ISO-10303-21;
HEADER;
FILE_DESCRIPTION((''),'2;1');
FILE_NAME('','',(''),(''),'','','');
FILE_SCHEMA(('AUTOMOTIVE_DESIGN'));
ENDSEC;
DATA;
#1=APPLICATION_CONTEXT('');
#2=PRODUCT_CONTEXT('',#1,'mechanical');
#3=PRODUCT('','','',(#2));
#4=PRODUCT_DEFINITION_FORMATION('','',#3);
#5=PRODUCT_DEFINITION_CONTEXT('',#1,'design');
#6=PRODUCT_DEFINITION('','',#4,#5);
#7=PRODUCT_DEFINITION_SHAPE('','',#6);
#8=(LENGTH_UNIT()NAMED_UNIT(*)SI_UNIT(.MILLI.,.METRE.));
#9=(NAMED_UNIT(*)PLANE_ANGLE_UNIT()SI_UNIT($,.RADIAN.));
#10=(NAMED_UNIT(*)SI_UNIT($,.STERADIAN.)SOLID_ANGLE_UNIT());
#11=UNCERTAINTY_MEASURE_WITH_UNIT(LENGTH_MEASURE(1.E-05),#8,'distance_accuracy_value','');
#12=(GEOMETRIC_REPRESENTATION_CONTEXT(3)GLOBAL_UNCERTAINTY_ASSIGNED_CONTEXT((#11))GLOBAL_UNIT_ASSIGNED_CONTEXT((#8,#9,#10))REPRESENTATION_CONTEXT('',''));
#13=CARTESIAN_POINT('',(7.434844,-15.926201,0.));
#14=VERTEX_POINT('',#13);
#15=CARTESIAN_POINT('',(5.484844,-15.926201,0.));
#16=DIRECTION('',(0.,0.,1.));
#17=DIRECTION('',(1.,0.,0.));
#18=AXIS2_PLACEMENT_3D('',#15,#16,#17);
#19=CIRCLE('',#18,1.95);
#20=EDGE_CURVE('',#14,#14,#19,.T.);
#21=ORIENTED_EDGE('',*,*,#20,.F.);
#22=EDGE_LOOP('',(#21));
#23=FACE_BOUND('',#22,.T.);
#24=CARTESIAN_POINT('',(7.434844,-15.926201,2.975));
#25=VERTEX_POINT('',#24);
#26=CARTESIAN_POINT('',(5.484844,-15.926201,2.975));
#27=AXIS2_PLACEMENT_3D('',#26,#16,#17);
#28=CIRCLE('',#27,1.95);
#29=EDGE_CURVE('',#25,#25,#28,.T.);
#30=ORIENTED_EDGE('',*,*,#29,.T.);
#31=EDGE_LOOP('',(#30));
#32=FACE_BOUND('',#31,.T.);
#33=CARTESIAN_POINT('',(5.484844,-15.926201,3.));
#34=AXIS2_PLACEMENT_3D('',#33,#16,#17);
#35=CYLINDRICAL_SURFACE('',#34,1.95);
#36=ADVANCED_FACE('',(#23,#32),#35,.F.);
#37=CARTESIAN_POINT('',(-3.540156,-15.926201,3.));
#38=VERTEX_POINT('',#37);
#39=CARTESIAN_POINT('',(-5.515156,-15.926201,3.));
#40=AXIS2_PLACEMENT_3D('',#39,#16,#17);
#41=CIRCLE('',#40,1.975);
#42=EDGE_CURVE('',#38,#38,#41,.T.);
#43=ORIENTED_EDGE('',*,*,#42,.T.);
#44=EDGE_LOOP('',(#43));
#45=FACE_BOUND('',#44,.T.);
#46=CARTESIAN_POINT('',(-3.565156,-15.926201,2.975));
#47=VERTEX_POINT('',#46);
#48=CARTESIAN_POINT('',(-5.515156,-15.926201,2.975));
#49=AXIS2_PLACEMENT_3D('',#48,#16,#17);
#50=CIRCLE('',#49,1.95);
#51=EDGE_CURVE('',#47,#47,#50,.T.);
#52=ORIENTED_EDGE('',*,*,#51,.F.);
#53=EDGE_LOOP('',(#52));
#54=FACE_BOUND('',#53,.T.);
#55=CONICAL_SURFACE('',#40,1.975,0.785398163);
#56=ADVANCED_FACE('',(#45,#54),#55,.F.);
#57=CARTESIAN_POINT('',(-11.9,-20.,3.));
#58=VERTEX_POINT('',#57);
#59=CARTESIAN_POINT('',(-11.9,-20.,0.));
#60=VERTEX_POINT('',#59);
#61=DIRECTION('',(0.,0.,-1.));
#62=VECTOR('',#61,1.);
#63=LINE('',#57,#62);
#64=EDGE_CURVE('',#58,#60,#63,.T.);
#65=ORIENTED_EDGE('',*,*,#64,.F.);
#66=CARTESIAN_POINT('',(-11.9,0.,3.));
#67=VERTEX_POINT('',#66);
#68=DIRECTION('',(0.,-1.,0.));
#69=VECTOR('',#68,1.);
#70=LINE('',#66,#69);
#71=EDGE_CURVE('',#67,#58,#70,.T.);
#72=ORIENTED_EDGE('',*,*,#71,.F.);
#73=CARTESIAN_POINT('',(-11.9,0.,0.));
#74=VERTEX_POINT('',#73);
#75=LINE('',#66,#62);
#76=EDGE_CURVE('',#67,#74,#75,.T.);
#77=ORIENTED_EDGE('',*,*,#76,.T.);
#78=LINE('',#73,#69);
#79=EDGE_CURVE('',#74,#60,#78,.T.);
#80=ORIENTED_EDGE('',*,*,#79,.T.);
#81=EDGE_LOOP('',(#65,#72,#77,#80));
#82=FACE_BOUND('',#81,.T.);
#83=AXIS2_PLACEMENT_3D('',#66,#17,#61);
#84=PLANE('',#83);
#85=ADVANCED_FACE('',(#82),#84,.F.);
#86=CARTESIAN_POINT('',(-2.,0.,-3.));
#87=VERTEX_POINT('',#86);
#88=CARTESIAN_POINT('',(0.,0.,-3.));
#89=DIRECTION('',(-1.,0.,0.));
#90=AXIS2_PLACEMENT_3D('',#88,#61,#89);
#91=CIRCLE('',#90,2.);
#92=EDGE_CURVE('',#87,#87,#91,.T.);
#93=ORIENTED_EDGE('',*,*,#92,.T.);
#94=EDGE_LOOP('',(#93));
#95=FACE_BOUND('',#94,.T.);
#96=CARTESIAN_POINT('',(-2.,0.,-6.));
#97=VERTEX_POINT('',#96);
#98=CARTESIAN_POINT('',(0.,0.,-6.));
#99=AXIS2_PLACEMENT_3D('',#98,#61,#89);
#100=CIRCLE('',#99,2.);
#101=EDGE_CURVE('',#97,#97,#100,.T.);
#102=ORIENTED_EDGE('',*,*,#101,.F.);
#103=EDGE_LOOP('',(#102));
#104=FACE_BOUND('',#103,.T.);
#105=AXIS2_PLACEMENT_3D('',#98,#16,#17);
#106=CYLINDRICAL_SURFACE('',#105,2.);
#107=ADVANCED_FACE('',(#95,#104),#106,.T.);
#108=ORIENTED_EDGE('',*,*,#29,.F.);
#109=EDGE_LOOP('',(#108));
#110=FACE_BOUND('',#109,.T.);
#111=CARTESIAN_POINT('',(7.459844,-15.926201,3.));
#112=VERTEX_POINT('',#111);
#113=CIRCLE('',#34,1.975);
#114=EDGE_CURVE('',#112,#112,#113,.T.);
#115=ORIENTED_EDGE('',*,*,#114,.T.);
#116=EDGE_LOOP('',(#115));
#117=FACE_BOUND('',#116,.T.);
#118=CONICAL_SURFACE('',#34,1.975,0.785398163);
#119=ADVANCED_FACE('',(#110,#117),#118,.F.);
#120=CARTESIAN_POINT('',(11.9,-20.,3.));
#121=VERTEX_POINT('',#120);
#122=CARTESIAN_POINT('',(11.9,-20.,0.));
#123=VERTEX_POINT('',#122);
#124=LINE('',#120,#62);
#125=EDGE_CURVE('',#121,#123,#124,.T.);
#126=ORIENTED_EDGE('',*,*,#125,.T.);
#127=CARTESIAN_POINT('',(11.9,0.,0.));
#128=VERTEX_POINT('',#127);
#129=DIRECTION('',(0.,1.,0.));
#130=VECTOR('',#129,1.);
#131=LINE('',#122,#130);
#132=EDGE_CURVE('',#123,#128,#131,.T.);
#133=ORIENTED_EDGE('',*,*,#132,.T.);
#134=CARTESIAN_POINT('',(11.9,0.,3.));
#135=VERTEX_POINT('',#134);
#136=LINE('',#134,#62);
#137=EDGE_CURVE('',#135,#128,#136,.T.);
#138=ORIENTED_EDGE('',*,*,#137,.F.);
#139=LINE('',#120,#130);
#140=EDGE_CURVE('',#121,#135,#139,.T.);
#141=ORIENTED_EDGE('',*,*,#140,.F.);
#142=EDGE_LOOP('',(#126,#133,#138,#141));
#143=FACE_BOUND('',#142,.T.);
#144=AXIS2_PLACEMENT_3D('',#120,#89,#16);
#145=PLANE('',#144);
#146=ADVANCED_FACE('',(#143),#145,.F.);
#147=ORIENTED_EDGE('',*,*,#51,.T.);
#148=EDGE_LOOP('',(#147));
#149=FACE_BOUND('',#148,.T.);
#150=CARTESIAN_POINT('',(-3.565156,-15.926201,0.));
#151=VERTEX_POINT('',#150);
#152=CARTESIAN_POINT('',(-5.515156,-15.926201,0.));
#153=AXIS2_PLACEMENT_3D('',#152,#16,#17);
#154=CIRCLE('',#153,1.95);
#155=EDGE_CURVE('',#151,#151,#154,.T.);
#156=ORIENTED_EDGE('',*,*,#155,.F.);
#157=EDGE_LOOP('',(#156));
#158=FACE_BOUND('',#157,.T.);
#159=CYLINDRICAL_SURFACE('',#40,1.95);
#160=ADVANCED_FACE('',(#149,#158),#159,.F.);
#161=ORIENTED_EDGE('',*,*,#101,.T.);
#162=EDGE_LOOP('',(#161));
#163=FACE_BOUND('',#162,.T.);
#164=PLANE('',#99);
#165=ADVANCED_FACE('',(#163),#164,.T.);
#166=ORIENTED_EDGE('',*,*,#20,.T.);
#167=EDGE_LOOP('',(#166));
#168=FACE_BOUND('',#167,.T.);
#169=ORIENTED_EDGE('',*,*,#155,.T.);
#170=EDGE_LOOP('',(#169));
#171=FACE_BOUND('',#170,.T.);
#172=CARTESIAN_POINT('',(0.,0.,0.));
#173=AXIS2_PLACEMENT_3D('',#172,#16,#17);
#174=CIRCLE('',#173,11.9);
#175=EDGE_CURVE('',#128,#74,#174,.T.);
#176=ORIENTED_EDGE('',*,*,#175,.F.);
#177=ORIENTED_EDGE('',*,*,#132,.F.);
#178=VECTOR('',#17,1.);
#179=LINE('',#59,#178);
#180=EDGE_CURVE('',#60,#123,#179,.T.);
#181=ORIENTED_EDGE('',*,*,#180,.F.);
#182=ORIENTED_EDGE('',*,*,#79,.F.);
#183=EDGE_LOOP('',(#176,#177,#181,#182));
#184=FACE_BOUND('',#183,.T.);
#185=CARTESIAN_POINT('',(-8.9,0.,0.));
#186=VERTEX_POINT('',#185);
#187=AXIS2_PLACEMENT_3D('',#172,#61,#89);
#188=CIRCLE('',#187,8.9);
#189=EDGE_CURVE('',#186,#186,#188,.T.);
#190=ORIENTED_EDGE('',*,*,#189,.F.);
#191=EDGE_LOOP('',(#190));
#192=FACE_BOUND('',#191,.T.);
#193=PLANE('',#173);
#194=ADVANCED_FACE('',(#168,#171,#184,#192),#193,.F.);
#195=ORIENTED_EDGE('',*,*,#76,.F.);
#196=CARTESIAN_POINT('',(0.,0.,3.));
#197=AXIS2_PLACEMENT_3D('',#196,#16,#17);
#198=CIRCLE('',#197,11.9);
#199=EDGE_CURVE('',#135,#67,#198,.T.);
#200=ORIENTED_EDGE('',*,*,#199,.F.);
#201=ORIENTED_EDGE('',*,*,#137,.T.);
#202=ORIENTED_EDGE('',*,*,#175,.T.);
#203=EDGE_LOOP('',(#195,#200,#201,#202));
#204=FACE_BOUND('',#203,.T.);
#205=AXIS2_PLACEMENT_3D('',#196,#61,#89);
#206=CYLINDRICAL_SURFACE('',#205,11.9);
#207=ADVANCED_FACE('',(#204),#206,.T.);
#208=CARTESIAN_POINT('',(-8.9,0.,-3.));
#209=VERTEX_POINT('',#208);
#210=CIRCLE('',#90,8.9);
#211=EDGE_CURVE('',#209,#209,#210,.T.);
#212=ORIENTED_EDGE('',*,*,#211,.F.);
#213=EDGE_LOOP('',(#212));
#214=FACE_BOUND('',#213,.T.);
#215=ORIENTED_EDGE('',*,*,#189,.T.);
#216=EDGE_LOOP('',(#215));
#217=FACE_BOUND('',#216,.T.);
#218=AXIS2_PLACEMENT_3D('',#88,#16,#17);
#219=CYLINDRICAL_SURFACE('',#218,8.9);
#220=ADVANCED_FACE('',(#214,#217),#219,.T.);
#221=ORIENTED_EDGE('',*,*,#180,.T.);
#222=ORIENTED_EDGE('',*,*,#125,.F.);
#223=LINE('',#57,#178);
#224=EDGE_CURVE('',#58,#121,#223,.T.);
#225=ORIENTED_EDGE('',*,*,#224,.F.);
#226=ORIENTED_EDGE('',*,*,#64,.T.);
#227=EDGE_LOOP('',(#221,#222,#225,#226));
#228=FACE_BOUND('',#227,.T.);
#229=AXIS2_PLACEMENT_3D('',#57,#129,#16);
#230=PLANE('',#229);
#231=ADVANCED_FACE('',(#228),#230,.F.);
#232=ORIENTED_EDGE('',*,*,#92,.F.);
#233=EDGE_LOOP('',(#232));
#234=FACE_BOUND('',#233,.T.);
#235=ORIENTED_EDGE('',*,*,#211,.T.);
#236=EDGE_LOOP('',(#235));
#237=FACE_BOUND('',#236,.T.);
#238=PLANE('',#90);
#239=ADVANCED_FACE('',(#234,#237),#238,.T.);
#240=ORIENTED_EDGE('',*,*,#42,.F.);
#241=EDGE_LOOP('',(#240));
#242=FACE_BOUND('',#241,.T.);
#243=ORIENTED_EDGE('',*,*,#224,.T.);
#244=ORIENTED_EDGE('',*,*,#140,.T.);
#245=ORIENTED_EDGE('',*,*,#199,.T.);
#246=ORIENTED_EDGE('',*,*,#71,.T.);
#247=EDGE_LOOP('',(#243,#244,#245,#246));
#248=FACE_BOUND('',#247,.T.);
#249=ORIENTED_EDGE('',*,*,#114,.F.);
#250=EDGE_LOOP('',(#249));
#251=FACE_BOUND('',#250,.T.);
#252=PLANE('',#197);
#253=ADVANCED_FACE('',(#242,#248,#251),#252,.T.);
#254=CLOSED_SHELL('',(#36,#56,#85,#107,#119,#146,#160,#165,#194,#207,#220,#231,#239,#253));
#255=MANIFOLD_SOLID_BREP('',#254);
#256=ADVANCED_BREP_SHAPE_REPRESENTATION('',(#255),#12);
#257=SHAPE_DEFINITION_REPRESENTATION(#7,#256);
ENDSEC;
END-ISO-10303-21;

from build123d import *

# Parameters (mm, degrees)
BOSS_EXTRUDE1_DEPTH             = 3
SKETCH2_R                       = 8.9
BOSS_EXTRUDE2_DEPTH             = 3
SKETCH3_R                       = 2
BOSS_EXTRUDE3_DEPTH             = 3
M3_5_CLEARANCE_HOLE1_AT_2_COUNT = 2
M3_5_CLEARANCE_HOLE1_AT_2_PITCH = 11
M3_5_CLEARANCE_HOLE1_AT_3_COUNT = 2
M3_5_CLEARANCE_HOLE1_AT_3_PITCH = 11


with BuildPart() as part:
    # Sketch1 → Boss-Extrude1 (new body)
    with BuildSketch(Plane.XY):
        with BuildLine():
            Line((-11.9, 0), (-11.9, -20))
            Line((-11.9, -20), (11.9, -20))
            Line((11.9, -20), (11.9, 0))
            ThreePointArc((11.9, 0), (0, 11.9), (-11.9, 0))
        make_face()
    extrude(amount=BOSS_EXTRUDE1_DEPTH)

    # Sketch2 → Boss-Extrude2 (add)
    with BuildSketch(Plane(origin=(0, 0, 0), x_dir=(-1, 0, 0), z_dir=(0, 0, -1))):
        Circle(SKETCH2_R)
    extrude(amount=BOSS_EXTRUDE2_DEPTH)

    # Sketch3 → Boss-Extrude3 (add)
    with BuildSketch(Plane(origin=(0, 0, -3), x_dir=(-1, 0, 0), z_dir=(0, 0, -1))):
        Circle(SKETCH3_R)
    extrude(amount=BOSS_EXTRUDE3_DEPTH)

    # Sketch5 → M3.5 Clearance Hole1 (revolve, cut)
    with BuildSketch(Plane(origin=(-5.515156433, -15.92620122, 3), x_dir=(0, -1, 0), z_dir=(1, 0, 0))):
        Polygon((0, 0), (0, 9), (1.95, 9), (1.95, 0.025), (1.975, 0), align=None)
    m3_5_clearance_hole1 = revolve(axis=Axis((-5.515156433, -15.92620122, 9.35), (0, 0, -1)), mode=Mode.SUBTRACT)

    # M3.5 Clearance Hole1 at 2: M3.5 Clearance Hole1 ×2
    with Locations(*[(i * M3_5_CLEARANCE_HOLE1_AT_2_PITCH, 0, 0) for i in range(1, M3_5_CLEARANCE_HOLE1_AT_2_COUNT)]):
        add(m3_5_clearance_hole1, mode=Mode.SUBTRACT)

    # M3.5 Clearance Hole1 at 3: M3.5 Clearance Hole1 ×2
    with Locations(*[(i * M3_5_CLEARANCE_HOLE1_AT_3_PITCH, 0, 0) for i in range(1, M3_5_CLEARANCE_HOLE1_AT_3_COUNT)]):
        add(m3_5_clearance_hole1, mode=Mode.SUBTRACT)


solid = part.part
